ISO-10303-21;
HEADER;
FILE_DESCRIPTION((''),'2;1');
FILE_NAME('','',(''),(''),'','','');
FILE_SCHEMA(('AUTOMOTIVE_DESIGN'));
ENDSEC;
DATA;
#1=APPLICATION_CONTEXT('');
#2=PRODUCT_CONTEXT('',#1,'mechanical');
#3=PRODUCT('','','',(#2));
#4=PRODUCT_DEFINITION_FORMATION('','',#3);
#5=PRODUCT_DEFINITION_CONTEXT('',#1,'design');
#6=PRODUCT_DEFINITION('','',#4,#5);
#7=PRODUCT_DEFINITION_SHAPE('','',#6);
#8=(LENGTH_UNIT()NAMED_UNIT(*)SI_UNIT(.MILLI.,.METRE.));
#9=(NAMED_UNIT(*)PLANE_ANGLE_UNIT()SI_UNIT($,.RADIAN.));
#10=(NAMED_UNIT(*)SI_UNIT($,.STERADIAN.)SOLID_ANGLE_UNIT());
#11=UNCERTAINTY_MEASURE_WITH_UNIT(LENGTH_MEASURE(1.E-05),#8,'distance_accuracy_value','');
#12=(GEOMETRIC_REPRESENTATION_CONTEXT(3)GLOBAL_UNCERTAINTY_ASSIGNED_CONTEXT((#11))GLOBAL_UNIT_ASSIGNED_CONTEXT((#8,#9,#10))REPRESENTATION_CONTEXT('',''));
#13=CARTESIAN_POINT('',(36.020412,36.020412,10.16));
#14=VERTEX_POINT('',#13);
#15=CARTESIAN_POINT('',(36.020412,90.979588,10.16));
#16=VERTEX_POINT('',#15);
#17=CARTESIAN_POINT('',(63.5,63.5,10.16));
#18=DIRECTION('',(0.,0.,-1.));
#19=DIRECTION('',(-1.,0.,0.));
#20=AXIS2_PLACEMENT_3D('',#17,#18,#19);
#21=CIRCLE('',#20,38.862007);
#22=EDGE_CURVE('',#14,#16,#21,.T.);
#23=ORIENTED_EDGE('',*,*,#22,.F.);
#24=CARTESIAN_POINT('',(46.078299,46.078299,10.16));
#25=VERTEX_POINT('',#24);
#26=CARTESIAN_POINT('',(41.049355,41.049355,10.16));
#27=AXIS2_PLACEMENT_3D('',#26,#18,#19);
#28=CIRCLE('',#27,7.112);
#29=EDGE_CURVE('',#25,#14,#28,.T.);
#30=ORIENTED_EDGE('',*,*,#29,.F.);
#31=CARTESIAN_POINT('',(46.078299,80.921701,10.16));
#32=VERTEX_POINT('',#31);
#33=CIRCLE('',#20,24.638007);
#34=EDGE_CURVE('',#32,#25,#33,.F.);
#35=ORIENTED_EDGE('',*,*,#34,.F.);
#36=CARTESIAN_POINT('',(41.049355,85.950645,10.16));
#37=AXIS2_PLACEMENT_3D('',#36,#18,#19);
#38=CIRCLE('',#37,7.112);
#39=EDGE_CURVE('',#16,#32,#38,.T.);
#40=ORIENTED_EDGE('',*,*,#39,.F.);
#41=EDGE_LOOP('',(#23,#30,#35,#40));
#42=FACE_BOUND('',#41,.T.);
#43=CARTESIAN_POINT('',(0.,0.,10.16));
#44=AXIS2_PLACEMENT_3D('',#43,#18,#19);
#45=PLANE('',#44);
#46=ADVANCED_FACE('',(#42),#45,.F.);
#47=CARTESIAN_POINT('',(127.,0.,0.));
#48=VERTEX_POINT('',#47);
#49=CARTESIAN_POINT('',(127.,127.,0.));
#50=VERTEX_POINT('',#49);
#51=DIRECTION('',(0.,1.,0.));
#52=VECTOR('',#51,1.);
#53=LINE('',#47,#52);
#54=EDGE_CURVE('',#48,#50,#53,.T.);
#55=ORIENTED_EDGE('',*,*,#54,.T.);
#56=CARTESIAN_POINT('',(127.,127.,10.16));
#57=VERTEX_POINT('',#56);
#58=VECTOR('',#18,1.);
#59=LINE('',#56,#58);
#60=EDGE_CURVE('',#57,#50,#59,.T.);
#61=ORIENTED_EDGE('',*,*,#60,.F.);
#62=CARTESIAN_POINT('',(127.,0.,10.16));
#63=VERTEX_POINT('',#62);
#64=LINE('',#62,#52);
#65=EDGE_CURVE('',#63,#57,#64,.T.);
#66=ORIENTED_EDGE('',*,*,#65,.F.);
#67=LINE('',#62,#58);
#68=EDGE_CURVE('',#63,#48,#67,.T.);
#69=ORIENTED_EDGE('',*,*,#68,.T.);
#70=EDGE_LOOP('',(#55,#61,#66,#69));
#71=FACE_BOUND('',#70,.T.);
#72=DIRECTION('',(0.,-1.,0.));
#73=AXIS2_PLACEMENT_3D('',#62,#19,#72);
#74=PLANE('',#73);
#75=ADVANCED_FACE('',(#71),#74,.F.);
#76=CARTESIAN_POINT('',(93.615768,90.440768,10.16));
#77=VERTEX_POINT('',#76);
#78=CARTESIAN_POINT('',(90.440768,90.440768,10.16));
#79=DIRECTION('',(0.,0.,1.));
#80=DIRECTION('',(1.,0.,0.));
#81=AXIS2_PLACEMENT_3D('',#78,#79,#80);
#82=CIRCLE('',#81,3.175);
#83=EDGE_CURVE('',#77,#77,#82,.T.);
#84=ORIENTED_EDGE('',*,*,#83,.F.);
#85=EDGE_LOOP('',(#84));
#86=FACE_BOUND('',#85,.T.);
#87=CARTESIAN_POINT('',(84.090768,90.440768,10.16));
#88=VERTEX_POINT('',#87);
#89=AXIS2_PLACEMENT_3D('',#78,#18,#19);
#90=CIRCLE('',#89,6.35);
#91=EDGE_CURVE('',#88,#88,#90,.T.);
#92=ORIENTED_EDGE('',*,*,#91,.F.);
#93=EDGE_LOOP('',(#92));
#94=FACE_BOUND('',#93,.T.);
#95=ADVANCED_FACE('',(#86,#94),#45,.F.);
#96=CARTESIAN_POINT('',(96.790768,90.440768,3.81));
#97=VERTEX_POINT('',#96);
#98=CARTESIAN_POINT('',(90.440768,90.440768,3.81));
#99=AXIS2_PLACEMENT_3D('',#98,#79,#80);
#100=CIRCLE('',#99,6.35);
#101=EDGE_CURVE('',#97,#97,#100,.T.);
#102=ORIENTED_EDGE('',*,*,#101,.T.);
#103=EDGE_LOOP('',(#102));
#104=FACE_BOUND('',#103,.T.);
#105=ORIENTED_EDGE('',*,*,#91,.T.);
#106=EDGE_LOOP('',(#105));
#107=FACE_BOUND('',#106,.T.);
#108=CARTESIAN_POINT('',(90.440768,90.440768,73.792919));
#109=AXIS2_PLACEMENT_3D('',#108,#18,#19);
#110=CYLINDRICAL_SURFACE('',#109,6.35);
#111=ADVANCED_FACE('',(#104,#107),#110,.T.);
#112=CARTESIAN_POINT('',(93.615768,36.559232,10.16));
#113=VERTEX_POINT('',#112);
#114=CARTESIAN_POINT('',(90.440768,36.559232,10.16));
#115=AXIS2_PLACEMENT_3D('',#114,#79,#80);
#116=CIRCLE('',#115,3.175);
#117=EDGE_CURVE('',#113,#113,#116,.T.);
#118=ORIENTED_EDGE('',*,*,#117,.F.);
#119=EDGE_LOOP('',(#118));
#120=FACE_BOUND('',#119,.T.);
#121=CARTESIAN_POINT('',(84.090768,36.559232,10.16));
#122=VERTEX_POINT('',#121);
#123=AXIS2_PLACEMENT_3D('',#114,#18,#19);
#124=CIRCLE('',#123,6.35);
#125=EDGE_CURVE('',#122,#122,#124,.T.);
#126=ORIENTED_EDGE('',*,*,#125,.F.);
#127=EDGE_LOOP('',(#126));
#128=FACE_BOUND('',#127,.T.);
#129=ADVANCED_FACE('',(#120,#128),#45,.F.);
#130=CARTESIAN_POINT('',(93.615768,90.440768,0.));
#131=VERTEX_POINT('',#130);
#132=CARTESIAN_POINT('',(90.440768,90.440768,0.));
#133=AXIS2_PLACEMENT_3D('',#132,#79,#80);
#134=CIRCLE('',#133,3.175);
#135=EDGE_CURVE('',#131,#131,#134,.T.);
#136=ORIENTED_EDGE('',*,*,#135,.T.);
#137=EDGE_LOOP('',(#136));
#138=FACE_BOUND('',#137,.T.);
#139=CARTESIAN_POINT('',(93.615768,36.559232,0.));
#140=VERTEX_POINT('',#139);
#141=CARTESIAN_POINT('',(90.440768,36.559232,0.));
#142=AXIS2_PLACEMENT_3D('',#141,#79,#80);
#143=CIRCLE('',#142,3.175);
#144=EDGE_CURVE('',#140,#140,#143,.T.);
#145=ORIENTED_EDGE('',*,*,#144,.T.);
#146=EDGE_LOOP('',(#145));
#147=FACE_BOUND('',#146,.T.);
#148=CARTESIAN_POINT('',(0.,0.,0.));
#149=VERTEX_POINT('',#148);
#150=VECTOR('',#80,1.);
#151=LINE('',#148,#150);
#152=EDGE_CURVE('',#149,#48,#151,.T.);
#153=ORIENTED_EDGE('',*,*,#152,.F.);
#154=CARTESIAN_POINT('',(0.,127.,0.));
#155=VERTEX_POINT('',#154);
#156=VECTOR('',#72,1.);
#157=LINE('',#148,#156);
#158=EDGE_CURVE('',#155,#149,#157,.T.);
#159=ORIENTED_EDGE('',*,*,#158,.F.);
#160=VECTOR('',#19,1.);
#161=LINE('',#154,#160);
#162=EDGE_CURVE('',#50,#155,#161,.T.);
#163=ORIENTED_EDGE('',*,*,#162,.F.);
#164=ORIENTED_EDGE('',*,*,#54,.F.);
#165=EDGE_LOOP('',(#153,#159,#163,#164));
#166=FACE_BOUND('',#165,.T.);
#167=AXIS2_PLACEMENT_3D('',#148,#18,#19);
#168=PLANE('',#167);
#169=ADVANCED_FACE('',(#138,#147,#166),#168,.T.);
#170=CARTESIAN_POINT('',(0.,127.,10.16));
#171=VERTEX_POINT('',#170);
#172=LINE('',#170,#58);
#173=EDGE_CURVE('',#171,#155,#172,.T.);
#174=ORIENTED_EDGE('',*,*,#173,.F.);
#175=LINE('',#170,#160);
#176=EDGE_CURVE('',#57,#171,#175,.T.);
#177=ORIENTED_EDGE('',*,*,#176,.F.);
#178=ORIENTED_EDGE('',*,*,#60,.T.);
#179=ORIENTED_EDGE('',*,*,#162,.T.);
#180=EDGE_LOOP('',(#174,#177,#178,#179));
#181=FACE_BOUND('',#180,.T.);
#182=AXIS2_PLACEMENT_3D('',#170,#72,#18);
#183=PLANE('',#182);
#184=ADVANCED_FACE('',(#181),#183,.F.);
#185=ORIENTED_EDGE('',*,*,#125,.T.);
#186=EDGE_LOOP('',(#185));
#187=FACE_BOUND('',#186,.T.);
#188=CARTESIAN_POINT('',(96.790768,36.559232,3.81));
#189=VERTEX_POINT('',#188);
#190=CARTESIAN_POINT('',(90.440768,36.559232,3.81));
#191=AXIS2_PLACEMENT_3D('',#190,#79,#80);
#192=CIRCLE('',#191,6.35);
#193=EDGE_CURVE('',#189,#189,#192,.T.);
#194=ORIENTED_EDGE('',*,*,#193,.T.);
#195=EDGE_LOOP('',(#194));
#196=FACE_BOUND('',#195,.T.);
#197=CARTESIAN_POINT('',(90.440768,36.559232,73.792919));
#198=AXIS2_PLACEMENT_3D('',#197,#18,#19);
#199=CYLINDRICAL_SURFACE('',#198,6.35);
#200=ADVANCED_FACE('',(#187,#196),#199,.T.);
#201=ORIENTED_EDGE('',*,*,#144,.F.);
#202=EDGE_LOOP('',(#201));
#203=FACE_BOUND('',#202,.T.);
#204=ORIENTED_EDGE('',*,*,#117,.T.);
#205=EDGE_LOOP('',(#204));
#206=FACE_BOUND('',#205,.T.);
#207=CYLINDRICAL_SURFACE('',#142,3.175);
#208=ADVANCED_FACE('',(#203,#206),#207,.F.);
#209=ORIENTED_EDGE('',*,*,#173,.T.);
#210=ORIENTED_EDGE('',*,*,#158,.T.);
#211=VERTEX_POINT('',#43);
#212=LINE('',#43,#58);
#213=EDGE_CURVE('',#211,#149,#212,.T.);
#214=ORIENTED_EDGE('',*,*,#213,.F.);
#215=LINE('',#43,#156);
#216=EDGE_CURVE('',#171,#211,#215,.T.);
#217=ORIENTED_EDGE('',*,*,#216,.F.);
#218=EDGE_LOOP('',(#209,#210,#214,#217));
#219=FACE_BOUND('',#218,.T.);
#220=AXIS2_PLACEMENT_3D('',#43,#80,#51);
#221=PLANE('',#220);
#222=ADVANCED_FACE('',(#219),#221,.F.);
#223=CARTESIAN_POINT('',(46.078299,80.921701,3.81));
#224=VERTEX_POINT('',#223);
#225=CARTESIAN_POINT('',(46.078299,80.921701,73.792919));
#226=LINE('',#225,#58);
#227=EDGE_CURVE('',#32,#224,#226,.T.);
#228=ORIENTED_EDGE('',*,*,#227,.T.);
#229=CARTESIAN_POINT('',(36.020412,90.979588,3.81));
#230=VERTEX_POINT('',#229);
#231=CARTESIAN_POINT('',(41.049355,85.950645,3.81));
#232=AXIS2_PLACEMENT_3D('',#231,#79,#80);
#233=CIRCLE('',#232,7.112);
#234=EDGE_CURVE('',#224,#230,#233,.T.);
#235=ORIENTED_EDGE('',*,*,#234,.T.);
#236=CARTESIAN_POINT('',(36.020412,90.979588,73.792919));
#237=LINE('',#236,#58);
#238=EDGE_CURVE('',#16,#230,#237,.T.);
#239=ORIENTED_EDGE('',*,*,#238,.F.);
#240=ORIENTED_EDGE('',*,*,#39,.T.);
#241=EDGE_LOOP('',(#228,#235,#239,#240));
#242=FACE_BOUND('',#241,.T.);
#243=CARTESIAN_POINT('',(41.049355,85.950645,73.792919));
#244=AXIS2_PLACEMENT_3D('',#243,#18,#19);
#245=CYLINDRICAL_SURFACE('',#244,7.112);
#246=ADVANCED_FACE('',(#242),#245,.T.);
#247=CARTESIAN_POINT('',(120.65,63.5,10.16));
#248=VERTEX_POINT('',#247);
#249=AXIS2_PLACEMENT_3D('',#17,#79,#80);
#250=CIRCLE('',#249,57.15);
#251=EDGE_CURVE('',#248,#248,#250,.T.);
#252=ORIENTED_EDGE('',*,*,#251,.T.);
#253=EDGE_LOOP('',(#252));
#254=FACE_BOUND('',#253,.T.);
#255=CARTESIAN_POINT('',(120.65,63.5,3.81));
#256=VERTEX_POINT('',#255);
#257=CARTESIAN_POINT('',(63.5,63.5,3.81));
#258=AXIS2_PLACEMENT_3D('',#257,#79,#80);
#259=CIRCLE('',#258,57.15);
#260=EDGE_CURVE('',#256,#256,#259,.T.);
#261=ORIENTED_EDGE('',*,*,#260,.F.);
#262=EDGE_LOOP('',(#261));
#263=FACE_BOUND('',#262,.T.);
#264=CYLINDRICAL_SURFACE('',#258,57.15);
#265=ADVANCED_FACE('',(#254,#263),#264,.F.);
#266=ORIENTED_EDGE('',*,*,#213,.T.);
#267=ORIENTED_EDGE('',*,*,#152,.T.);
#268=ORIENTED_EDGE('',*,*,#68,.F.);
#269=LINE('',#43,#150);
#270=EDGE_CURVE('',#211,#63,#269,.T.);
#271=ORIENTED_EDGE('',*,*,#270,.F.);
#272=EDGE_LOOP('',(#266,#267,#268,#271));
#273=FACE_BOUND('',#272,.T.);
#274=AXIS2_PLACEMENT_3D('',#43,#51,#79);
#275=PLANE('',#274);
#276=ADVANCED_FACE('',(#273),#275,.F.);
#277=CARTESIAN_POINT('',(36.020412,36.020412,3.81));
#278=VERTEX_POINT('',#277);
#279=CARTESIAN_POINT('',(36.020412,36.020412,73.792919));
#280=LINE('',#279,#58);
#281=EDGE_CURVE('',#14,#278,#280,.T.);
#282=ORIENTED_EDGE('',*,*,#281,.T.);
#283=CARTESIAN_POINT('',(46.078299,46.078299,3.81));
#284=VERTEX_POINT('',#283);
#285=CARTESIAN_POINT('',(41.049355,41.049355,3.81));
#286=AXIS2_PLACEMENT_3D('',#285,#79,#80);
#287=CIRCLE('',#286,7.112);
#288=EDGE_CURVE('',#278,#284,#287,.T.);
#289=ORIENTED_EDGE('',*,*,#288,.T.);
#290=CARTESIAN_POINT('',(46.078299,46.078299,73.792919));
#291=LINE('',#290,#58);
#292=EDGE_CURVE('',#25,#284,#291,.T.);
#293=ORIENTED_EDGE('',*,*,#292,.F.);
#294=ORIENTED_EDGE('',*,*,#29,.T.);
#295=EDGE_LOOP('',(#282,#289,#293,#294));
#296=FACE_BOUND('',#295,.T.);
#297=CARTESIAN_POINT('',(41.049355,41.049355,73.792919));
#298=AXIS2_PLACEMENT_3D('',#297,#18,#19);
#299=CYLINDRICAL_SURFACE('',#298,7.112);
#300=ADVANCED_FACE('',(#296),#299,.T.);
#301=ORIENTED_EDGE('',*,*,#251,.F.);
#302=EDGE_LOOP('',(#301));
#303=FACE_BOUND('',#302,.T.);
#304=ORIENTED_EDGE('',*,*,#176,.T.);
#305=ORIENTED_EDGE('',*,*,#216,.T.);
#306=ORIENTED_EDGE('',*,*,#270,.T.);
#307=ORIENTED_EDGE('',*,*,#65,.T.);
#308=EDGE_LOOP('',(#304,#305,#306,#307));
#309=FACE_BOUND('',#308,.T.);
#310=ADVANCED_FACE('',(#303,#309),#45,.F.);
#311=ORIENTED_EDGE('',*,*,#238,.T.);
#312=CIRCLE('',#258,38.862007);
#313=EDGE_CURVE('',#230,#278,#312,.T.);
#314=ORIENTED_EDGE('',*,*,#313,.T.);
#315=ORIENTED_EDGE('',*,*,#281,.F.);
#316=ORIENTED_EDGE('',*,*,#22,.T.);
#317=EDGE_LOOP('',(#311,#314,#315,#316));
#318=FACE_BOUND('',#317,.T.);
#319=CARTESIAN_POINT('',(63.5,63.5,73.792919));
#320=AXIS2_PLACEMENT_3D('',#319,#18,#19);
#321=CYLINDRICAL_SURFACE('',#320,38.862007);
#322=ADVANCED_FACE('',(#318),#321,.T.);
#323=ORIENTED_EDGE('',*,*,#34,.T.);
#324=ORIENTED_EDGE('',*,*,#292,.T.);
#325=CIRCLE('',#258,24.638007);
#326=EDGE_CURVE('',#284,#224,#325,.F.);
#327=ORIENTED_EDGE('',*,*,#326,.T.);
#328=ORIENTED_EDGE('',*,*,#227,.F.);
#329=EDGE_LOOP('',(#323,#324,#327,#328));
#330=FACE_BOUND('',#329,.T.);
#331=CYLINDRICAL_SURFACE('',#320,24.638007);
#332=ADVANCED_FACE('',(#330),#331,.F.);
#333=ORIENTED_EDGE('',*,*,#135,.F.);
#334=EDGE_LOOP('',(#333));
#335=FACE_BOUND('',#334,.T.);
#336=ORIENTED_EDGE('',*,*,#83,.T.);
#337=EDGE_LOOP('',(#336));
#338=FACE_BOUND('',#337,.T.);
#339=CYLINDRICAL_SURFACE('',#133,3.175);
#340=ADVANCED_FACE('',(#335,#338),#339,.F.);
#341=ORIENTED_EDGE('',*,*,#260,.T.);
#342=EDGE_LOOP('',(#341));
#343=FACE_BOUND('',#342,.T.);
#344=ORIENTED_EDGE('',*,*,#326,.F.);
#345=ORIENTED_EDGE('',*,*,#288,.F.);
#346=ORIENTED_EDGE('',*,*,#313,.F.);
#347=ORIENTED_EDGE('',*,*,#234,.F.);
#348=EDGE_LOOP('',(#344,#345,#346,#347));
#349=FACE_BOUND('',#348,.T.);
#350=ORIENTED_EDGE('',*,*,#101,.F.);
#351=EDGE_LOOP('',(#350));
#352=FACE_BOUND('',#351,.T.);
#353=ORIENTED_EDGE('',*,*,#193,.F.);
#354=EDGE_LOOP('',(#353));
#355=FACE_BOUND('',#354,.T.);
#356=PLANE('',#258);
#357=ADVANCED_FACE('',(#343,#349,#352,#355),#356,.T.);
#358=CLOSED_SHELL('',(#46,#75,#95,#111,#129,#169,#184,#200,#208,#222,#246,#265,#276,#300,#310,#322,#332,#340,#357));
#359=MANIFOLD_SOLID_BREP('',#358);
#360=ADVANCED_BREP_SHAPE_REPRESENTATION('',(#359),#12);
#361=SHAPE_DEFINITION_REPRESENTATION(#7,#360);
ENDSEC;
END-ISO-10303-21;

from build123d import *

# Parameters (mm, degrees)
SKETCH1_W                       = 127
SKETCH1_H                       = 127
SKETCH1_R                       = 6.35
BOSS_EXTRUDE1_DEPTH             = 10.16
SKETCH3_R                       = 57.15
CUT_EXTRUDE1_DEPTH              = 6.35
BOSS_EXTRUDE2_REACH             = 181.717
SKETCH4_R                       = 6.35
BOSS_EXTRUDE2_DIRECTION_2_REACH = 181.717
SKETCH5_R                       = 3.175
CUT_EXTRUDE2_DEPTH              = 180.89226109


with BuildPart() as part:
    # Sketch1 → Boss-Extrude1 (new body)
    with BuildSketch(Plane.XY):
        with Locations((63.5, 63.5)):
            Rectangle(SKETCH1_W, SKETCH1_H)
        with Locations((90.440768363, 90.440768363)):
            Circle(SKETCH1_R, mode=Mode.SUBTRACT)
        with Locations((90.440768363, 36.559231637)):
            Circle(SKETCH1_R, mode=Mode.SUBTRACT)
        with BuildLine():
            ThreePointArc((36.020411647, 90.979588353), (24.637993463, 63.5), (36.020411647, 36.020411647))
            ThreePointArc((36.020411647, 36.020411647), (46.078298503, 36.020411647), (46.078298503, 46.078298503))
            ThreePointArc((46.078298503, 46.078298503), (38.861993463, 63.5), (46.078298503, 80.921701497))
            ThreePointArc((46.078298503, 80.921701497), (46.078298503, 90.979588353), (36.020411647, 90.979588353))
        make_face(mode=Mode.SUBTRACT)
    extrude(amount=BOSS_EXTRUDE1_DEPTH)

    # Sketch3 → Cut-Extrude1 (cut)
    with BuildSketch(Plane.XY.offset(10.16)):
        with Locations((63.5, 63.5)):
            Circle(SKETCH3_R)
    extrude(amount=-CUT_EXTRUDE1_DEPTH, mode=Mode.SUBTRACT)

    # Boss-Extrude2: up to this face of the body (flat: up to its plane)
    boss_extrude2_end = Plane(part.part.faces().sort_by_distance((63.5, 1.796051224, 10.16))[0])
    # Sketch4 → Boss-Extrude2 (add, up to the picked face)
    with BuildSketch(Plane.XY.offset(3.81), mode=Mode.PRIVATE) as boss_extrude2_sk1:
        with Locations(Location((90.440768363, 36.559231637, 0), (0, 0, 180))):
            Circle(SKETCH4_R)
    boss_extrude2_tool1 = split(extrude(boss_extrude2_sk1.sketch, amount=BOSS_EXTRUDE2_REACH, mode=Mode.PRIVATE), bisect_by=boss_extrude2_end, keep=Keep.BOTH, mode=Mode.PRIVATE)
    # Sketch4 → Boss-Extrude2 (add, up to the picked face)
    with BuildSketch(Plane.XY.offset(3.81), mode=Mode.PRIVATE) as boss_extrude2_sk2:
        with Locations(Location((90.440768363, 90.440768363, 0), (0, 0, 180))):
            Circle(SKETCH4_R)
    boss_extrude2_tool2 = split(extrude(boss_extrude2_sk2.sketch, amount=BOSS_EXTRUDE2_REACH, mode=Mode.PRIVATE), bisect_by=boss_extrude2_end, keep=Keep.BOTH, mode=Mode.PRIVATE)
    # Sketch4 → Boss-Extrude2 (add, up to the picked face)
    with BuildSketch(Plane.XY.offset(3.81), mode=Mode.PRIVATE) as boss_extrude2_sk3:
        with BuildLine():
            ThreePointArc((46.078298503, 80.921701497), (38.861993463, 63.5), (46.078298503, 46.078298503))
            ThreePointArc((46.078298503, 46.078298503), (46.078298503, 36.020411647), (36.020411647, 36.020411647))
            ThreePointArc((36.020411647, 36.020411647), (24.637993463, 63.5), (36.020411647, 90.979588353))
            ThreePointArc((36.020411647, 90.979588353), (46.078298503, 90.979588353), (46.078298503, 80.921701497))
        make_face()
    boss_extrude2_tool3 = split(extrude(boss_extrude2_sk3.sketch, amount=BOSS_EXTRUDE2_REACH, mode=Mode.PRIVATE), bisect_by=boss_extrude2_end, keep=Keep.BOTH, mode=Mode.PRIVATE)
    add(boss_extrude2_tool1.solids().sort_by(Axis((90.440768, 36.559232, 3.81), (0, 0, 1)))[0])
    add(boss_extrude2_tool2.solids().sort_by(Axis((90.440768, 90.440768, 3.81), (0, 0, 1)))[0])
    add(boss_extrude2_tool3.solids().sort_by(Axis((36.037587, 63.5, 3.81), (0, 0, 1)))[0])

    # Boss-Extrude2 direction 2: up to this face of the body (flat: up to its plane)
    boss_extrude2_direction_2_end = Plane(part.part.faces().sort_by_distance((64.634104548, 63.5, 0))[0])
    # Sketch4 → Boss-Extrude2 direction 2 (add, up to the picked face)
    with BuildSketch(Plane.XY.offset(3.81), mode=Mode.PRIVATE) as boss_extrude2_direction_2_sk1:
        with Locations(Location((90.440768363, 36.559231637, 0), (0, 0, 180))):
            Circle(SKETCH4_R)
    boss_extrude2_direction_2_tool1 = split(extrude(boss_extrude2_direction_2_sk1.sketch, amount=-BOSS_EXTRUDE2_DIRECTION_2_REACH, mode=Mode.PRIVATE), bisect_by=boss_extrude2_direction_2_end, keep=Keep.BOTH, mode=Mode.PRIVATE)
    # Sketch4 → Boss-Extrude2 direction 2 (add, up to the picked face)
    with BuildSketch(Plane.XY.offset(3.81), mode=Mode.PRIVATE) as boss_extrude2_direction_2_sk2:
        with Locations(Location((90.440768363, 90.440768363, 0), (0, 0, 180))):
            Circle(SKETCH4_R)
    boss_extrude2_direction_2_tool2 = split(extrude(boss_extrude2_direction_2_sk2.sketch, amount=-BOSS_EXTRUDE2_DIRECTION_2_REACH, mode=Mode.PRIVATE), bisect_by=boss_extrude2_direction_2_end, keep=Keep.BOTH, mode=Mode.PRIVATE)
    # Sketch4 → Boss-Extrude2 direction 2 (add, up to the picked face)
    with BuildSketch(Plane.XY.offset(3.81), mode=Mode.PRIVATE) as boss_extrude2_direction_2_sk3:
        with BuildLine():
            ThreePointArc((46.078298503, 80.921701497), (38.861993463, 63.5), (46.078298503, 46.078298503))
            ThreePointArc((46.078298503, 46.078298503), (46.078298503, 36.020411647), (36.020411647, 36.020411647))
            ThreePointArc((36.020411647, 36.020411647), (24.637993463, 63.5), (36.020411647, 90.979588353))
            ThreePointArc((36.020411647, 90.979588353), (46.078298503, 90.979588353), (46.078298503, 80.921701497))
        make_face()
    boss_extrude2_direction_2_tool3 = split(extrude(boss_extrude2_direction_2_sk3.sketch, amount=-BOSS_EXTRUDE2_DIRECTION_2_REACH, mode=Mode.PRIVATE), bisect_by=boss_extrude2_direction_2_end, keep=Keep.BOTH, mode=Mode.PRIVATE)
    add(boss_extrude2_direction_2_tool1.solids().sort_by(Axis((90.440768, 36.559232, 3.81), (0, 0, -1)))[0])
    add(boss_extrude2_direction_2_tool2.solids().sort_by(Axis((90.440768, 90.440768, 3.81), (0, 0, -1)))[0])
    add(boss_extrude2_direction_2_tool3.solids().sort_by(Axis((36.037587, 63.5, 3.81), (0, 0, -1)))[0])

    # Sketch5 → Cut-Extrude2 (cut, through all)
    with BuildSketch(Plane.XY.offset(10.16)):
        with Locations((90.440768363, 90.440768363)):
            Circle(SKETCH5_R)
        with Locations((90.440768363, 36.559231637)):
            Circle(SKETCH5_R)
    extrude(amount=-CUT_EXTRUDE2_DEPTH, mode=Mode.SUBTRACT)


solid = part.part
